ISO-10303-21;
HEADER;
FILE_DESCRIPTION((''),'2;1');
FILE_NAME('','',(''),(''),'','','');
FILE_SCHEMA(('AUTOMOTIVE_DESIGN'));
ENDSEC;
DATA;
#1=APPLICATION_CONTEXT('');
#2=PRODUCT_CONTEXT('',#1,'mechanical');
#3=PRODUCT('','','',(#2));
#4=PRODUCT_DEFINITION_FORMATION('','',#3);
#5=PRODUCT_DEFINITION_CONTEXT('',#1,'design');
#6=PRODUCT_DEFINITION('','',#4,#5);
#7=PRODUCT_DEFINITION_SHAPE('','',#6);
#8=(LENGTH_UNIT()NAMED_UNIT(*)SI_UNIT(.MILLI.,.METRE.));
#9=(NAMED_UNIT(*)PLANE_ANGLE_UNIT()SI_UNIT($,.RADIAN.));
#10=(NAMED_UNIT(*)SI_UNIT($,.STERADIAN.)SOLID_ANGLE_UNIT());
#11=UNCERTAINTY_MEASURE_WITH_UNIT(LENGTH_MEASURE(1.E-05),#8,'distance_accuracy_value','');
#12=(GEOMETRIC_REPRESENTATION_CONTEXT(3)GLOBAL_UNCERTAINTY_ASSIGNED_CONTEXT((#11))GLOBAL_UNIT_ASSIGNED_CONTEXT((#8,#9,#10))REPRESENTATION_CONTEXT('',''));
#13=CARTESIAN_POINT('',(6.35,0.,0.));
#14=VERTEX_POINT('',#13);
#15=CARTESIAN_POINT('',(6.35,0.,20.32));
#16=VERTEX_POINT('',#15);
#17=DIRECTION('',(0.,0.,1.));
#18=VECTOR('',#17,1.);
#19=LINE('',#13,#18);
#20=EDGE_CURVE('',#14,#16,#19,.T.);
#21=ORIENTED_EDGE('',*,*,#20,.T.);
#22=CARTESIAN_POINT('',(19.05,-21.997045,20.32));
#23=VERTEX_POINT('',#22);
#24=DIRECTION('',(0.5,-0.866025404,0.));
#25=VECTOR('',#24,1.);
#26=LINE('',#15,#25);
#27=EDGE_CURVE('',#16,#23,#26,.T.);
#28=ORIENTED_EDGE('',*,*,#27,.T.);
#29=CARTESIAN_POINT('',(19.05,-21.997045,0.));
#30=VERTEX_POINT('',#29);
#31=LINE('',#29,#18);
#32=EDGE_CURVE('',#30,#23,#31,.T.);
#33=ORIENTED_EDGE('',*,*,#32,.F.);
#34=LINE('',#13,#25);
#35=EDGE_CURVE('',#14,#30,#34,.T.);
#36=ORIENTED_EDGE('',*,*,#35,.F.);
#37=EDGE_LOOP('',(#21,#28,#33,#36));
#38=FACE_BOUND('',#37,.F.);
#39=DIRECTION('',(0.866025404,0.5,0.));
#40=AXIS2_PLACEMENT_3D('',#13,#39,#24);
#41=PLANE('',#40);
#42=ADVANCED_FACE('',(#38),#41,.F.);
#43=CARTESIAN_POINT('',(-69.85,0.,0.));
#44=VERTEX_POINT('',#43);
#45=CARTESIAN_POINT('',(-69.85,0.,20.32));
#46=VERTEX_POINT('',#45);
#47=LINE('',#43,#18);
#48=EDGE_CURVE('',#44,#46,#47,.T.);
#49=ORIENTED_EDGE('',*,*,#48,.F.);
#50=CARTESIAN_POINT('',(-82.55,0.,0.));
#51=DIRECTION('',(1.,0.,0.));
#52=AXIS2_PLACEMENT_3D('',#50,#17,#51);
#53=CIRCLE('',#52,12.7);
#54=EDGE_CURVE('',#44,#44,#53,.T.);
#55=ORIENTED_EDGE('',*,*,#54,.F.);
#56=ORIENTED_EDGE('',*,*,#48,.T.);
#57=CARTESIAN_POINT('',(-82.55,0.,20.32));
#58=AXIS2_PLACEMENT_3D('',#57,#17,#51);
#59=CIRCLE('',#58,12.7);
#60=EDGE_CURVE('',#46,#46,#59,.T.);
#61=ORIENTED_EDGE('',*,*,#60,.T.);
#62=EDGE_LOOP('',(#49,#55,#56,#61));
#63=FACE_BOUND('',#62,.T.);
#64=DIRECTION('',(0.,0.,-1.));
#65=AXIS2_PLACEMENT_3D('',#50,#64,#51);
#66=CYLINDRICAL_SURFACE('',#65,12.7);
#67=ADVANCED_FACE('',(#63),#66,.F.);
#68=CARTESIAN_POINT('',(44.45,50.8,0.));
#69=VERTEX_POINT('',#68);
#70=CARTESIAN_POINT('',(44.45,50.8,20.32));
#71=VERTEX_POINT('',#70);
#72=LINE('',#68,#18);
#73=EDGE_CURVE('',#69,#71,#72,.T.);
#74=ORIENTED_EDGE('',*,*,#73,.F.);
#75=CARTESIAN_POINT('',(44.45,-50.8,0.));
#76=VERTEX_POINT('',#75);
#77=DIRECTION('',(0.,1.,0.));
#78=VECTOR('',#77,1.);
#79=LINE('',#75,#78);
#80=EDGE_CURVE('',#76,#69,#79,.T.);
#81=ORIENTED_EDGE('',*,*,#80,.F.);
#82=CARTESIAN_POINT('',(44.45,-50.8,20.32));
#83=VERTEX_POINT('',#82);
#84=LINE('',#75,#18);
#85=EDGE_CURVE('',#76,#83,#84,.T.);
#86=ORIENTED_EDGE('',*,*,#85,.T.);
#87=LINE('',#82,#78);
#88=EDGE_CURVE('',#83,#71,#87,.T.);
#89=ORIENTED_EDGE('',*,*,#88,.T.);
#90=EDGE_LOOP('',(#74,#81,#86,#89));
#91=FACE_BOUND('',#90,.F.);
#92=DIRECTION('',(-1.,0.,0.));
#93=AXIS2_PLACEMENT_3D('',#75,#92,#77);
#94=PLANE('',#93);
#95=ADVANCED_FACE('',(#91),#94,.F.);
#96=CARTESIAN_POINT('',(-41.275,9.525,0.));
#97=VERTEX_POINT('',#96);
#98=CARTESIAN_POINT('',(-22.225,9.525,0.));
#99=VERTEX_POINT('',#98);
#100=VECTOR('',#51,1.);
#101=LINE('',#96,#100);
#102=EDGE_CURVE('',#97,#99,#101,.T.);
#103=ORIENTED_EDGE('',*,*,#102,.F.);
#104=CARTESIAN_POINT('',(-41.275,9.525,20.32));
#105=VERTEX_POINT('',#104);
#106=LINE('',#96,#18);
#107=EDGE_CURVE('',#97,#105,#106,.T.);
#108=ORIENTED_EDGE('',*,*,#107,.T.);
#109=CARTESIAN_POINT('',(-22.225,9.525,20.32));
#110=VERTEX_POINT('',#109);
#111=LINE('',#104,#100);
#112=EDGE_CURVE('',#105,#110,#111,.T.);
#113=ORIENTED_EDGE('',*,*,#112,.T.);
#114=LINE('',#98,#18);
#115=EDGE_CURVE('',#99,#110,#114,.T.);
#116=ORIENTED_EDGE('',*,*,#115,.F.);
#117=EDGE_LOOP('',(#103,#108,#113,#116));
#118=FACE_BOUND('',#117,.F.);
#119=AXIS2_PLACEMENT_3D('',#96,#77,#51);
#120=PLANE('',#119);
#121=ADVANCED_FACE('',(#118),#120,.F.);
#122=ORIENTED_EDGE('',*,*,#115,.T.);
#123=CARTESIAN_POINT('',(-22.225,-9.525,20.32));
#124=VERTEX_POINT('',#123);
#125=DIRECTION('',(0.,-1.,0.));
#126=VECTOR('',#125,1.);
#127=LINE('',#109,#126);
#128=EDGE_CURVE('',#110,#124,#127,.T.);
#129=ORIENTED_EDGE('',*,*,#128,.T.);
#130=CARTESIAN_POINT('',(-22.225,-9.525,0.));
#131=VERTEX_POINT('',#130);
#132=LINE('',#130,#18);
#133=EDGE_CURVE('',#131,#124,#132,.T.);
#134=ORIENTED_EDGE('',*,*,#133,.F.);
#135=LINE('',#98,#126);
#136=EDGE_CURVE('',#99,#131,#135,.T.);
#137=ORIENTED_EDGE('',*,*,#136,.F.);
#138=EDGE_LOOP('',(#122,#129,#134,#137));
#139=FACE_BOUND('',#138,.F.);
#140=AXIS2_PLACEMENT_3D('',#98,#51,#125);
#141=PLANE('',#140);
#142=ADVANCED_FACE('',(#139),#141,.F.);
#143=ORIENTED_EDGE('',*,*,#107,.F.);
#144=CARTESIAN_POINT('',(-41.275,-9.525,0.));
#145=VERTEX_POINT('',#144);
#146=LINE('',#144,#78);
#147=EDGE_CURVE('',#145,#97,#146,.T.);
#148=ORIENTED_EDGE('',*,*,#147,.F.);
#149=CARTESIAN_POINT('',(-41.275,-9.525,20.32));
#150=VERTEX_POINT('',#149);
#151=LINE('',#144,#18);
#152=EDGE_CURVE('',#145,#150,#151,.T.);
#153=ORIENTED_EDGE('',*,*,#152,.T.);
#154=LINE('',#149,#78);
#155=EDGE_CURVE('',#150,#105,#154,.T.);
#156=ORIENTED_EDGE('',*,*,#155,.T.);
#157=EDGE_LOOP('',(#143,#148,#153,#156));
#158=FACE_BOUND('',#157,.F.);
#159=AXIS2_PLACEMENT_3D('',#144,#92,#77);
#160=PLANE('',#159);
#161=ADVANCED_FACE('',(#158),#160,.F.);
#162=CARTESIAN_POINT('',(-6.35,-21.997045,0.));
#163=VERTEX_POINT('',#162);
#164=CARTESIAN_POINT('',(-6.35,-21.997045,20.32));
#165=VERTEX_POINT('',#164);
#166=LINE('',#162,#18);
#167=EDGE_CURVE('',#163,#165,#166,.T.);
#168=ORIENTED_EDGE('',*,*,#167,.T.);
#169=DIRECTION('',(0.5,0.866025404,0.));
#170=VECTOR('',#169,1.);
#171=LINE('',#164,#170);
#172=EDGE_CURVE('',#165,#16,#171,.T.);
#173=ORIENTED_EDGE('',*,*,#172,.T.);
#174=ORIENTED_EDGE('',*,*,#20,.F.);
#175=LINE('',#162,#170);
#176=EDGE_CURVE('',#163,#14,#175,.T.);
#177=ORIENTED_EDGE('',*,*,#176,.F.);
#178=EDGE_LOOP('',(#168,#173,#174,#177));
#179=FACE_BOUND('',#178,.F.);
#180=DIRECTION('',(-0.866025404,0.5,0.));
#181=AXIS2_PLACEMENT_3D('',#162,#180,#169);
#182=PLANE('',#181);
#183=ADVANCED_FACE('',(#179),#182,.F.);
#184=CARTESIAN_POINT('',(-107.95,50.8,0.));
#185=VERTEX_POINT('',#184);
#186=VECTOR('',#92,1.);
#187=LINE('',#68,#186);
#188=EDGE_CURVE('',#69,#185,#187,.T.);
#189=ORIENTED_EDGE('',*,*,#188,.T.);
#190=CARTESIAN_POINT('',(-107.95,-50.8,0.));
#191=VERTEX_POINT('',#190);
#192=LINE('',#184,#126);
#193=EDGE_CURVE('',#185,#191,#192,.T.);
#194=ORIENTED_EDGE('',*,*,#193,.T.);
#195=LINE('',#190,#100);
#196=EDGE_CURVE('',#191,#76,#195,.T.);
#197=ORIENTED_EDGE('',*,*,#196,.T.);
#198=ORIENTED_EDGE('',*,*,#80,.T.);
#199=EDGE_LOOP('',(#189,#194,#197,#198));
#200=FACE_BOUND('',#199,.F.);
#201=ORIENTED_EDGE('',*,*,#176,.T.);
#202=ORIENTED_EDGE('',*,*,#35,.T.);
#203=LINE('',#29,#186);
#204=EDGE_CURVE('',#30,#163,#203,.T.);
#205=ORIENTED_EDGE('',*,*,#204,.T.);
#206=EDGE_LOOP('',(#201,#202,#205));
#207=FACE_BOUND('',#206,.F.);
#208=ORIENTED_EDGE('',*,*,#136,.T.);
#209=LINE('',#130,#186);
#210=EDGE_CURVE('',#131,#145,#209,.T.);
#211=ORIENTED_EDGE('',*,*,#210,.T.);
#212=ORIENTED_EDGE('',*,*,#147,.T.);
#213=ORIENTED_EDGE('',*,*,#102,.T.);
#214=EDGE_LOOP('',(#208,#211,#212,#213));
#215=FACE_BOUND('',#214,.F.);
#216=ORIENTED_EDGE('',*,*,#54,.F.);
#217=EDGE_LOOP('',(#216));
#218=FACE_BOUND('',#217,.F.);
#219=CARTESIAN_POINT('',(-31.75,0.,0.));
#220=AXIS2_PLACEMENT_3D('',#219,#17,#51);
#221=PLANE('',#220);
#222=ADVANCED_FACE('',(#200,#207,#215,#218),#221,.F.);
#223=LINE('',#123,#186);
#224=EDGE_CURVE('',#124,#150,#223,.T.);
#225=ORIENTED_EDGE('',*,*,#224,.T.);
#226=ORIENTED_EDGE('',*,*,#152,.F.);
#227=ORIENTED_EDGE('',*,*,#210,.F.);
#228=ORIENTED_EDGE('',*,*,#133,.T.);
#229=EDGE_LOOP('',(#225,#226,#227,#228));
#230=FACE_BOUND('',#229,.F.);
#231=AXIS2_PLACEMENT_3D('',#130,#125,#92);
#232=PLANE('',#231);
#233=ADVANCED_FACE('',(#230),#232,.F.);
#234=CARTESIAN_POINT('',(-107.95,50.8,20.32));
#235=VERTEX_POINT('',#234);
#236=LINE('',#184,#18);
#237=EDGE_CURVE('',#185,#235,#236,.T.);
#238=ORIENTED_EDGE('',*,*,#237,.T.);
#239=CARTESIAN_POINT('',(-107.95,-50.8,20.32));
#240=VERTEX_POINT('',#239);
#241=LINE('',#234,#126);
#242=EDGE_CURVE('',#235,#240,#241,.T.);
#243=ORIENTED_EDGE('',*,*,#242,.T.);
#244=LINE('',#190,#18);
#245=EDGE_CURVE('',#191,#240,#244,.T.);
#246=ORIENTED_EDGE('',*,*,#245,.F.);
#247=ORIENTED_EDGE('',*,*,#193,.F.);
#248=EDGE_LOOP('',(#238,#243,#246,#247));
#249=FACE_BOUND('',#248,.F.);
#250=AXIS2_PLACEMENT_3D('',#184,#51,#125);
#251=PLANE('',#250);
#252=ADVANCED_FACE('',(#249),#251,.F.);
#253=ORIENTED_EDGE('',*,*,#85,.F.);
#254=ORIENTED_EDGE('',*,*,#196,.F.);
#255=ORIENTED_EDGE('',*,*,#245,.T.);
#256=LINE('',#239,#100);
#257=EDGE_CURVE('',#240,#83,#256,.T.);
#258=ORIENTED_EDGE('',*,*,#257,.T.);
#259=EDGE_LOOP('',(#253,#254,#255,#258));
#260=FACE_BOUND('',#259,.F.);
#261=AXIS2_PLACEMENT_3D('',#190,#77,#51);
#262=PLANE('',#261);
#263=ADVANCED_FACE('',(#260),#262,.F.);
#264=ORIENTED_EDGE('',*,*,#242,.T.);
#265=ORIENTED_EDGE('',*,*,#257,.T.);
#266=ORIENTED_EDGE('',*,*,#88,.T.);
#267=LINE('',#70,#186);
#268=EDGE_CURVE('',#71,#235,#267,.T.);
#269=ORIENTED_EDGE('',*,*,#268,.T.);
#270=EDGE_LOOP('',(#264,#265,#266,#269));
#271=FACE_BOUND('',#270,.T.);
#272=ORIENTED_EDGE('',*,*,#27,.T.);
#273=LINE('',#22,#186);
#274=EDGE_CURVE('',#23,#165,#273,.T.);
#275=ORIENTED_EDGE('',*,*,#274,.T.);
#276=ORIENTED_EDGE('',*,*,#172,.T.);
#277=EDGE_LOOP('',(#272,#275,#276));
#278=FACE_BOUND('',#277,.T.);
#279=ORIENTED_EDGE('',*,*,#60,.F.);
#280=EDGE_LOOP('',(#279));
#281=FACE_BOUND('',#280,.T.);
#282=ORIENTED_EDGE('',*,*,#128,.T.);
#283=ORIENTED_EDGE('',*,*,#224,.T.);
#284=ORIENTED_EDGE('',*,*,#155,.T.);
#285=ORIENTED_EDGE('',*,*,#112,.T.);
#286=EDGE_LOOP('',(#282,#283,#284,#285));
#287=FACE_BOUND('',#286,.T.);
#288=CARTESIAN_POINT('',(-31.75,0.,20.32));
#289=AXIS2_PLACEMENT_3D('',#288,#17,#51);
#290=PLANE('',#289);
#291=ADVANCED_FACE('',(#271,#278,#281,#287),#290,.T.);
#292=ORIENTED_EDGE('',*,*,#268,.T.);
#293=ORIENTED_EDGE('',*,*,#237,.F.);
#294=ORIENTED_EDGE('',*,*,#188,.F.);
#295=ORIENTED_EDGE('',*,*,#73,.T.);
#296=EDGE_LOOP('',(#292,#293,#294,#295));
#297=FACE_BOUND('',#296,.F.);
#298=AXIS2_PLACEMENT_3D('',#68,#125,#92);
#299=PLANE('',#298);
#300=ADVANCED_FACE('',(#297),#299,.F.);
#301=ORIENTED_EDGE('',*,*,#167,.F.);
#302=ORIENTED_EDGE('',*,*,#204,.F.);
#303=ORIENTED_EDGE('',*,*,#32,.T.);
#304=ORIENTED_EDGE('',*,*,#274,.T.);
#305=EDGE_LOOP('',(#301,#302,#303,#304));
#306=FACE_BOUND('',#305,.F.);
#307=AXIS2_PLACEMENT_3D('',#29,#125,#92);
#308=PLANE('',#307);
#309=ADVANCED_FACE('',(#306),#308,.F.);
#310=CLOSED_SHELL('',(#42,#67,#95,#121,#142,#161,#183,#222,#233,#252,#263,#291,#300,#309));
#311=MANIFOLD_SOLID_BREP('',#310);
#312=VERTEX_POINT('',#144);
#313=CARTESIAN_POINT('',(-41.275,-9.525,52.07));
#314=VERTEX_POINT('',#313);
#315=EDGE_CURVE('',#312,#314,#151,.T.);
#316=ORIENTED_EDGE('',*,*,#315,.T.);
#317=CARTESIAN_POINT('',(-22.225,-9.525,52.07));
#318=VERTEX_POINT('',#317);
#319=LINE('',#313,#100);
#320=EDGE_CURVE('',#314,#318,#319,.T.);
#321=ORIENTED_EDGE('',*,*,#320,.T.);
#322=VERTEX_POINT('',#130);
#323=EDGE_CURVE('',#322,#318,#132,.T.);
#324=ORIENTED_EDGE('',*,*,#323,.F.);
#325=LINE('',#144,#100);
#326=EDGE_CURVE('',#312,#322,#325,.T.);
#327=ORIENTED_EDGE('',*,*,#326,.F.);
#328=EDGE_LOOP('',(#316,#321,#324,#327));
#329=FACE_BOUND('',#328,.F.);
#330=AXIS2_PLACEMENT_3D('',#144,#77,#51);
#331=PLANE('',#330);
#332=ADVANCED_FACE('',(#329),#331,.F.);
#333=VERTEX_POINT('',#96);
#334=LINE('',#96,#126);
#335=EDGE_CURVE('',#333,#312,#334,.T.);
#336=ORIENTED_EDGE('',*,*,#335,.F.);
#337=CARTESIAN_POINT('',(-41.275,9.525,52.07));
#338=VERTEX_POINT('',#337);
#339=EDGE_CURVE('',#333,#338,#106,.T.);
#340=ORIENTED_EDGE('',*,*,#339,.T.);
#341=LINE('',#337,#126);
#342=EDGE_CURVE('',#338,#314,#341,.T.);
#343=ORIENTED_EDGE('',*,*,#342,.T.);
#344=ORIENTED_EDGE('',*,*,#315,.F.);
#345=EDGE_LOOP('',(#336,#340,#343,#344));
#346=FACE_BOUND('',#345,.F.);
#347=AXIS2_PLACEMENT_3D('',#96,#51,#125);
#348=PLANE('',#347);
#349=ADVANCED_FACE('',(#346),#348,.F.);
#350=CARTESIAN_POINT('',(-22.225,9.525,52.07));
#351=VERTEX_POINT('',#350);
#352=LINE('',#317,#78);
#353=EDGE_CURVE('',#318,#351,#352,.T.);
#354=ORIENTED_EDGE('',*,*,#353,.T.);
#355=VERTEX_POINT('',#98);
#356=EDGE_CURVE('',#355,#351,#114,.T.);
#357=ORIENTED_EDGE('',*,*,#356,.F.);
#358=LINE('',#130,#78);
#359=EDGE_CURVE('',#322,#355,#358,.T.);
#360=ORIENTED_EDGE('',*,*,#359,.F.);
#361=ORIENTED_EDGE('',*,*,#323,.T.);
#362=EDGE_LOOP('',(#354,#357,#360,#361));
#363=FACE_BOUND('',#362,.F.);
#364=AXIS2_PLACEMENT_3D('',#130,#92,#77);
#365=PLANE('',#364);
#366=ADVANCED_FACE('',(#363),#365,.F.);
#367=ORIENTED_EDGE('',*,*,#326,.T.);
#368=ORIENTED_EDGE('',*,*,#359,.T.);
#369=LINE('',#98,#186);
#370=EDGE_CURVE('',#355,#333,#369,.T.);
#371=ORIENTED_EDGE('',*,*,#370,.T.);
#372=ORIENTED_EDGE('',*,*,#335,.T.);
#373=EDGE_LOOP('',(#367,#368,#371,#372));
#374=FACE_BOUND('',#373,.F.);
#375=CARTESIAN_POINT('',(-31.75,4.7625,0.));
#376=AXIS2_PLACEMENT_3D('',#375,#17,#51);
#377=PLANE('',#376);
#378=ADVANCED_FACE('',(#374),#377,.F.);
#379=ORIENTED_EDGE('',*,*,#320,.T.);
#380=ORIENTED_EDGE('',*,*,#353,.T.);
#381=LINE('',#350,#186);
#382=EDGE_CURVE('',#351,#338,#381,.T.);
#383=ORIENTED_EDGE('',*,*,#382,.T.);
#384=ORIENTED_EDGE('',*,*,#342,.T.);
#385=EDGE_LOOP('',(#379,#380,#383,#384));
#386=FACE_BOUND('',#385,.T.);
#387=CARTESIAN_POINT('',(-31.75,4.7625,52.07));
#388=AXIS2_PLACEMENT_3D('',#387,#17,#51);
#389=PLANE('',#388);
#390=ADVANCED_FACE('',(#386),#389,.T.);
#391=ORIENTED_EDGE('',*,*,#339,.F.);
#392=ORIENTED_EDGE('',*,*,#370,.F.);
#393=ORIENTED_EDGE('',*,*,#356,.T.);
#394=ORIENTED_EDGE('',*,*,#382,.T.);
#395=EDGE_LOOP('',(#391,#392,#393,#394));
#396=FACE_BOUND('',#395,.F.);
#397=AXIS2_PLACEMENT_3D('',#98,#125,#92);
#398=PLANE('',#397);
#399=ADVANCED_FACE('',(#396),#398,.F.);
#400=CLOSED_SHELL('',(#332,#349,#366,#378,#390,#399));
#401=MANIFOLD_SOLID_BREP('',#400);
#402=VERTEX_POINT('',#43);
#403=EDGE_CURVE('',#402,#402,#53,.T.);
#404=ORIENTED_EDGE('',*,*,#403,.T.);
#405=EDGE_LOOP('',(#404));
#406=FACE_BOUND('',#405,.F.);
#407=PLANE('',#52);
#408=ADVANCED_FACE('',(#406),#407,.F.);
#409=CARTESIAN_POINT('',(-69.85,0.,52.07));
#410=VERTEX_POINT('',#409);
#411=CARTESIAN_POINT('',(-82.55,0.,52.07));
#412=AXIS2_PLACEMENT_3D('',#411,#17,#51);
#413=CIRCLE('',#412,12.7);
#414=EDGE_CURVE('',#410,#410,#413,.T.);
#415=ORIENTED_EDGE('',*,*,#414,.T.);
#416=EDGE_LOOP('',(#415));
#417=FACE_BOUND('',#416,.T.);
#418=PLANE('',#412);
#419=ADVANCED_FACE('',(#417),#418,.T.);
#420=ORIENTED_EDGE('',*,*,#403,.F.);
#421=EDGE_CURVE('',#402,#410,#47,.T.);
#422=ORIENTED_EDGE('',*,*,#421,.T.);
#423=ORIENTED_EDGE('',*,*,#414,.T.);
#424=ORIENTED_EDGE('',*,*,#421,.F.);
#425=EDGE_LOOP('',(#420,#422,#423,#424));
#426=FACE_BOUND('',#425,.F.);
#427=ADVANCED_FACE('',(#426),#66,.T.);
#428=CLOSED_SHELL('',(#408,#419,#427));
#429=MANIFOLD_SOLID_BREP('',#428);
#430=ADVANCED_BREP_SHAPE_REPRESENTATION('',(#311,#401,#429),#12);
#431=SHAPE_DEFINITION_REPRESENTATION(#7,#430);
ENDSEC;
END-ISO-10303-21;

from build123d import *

# Parameters (mm, degrees)
F0_R     = 12.7
F1_DEPTH = 20.32
F2_DEPTH = 52.07


with BuildPart() as f1:
    # F0 (on Top) → F1 (new body)
    with BuildSketch(Plane.XY):
        Polygon((44.45, -50.8), (44.45, 0), (44.45, 50.8), (-107.95, 50.8), (-107.95, -50.8), align=None)
        with Locations((-82.55, 0)):
            Circle(F0_R, mode=Mode.SUBTRACT)
        Polygon((-22.225, 9.525), (-22.225, 0), (-22.225, -9.525), (-41.275, -9.525), (-41.275, 0), (-41.275, 9.525), align=None, mode=Mode.SUBTRACT)
        Polygon((-6.35, -21.9970452561), (6.35, 0), (19.05, -21.9970452561), align=None, mode=Mode.SUBTRACT)
    extrude(amount=F1_DEPTH)


with BuildPart() as f2:
    # F0 (on Top) → F2 (new body)
    with BuildSketch(Plane.XY):
        Polygon((-31.75, 0), (-22.225, 0), (-22.225, 9.525), (-41.275, 9.525), (-41.275, 0), align=None)
        Polygon((-22.225, -9.525), (-22.225, 0), (-31.75, 0), (-41.275, 0), (-41.275, -9.525), align=None)
    extrude(amount=F2_DEPTH)


with BuildPart() as f2b:
    # F0 (on Top) → F2, piece 2 (new body)
    with BuildSketch(Plane.XY):
        with Locations((-82.55, 0)):
            Circle(F0_R)
    extrude(amount=F2_DEPTH)


solid = Compound([f1.part, f2.part, f2b.part])
